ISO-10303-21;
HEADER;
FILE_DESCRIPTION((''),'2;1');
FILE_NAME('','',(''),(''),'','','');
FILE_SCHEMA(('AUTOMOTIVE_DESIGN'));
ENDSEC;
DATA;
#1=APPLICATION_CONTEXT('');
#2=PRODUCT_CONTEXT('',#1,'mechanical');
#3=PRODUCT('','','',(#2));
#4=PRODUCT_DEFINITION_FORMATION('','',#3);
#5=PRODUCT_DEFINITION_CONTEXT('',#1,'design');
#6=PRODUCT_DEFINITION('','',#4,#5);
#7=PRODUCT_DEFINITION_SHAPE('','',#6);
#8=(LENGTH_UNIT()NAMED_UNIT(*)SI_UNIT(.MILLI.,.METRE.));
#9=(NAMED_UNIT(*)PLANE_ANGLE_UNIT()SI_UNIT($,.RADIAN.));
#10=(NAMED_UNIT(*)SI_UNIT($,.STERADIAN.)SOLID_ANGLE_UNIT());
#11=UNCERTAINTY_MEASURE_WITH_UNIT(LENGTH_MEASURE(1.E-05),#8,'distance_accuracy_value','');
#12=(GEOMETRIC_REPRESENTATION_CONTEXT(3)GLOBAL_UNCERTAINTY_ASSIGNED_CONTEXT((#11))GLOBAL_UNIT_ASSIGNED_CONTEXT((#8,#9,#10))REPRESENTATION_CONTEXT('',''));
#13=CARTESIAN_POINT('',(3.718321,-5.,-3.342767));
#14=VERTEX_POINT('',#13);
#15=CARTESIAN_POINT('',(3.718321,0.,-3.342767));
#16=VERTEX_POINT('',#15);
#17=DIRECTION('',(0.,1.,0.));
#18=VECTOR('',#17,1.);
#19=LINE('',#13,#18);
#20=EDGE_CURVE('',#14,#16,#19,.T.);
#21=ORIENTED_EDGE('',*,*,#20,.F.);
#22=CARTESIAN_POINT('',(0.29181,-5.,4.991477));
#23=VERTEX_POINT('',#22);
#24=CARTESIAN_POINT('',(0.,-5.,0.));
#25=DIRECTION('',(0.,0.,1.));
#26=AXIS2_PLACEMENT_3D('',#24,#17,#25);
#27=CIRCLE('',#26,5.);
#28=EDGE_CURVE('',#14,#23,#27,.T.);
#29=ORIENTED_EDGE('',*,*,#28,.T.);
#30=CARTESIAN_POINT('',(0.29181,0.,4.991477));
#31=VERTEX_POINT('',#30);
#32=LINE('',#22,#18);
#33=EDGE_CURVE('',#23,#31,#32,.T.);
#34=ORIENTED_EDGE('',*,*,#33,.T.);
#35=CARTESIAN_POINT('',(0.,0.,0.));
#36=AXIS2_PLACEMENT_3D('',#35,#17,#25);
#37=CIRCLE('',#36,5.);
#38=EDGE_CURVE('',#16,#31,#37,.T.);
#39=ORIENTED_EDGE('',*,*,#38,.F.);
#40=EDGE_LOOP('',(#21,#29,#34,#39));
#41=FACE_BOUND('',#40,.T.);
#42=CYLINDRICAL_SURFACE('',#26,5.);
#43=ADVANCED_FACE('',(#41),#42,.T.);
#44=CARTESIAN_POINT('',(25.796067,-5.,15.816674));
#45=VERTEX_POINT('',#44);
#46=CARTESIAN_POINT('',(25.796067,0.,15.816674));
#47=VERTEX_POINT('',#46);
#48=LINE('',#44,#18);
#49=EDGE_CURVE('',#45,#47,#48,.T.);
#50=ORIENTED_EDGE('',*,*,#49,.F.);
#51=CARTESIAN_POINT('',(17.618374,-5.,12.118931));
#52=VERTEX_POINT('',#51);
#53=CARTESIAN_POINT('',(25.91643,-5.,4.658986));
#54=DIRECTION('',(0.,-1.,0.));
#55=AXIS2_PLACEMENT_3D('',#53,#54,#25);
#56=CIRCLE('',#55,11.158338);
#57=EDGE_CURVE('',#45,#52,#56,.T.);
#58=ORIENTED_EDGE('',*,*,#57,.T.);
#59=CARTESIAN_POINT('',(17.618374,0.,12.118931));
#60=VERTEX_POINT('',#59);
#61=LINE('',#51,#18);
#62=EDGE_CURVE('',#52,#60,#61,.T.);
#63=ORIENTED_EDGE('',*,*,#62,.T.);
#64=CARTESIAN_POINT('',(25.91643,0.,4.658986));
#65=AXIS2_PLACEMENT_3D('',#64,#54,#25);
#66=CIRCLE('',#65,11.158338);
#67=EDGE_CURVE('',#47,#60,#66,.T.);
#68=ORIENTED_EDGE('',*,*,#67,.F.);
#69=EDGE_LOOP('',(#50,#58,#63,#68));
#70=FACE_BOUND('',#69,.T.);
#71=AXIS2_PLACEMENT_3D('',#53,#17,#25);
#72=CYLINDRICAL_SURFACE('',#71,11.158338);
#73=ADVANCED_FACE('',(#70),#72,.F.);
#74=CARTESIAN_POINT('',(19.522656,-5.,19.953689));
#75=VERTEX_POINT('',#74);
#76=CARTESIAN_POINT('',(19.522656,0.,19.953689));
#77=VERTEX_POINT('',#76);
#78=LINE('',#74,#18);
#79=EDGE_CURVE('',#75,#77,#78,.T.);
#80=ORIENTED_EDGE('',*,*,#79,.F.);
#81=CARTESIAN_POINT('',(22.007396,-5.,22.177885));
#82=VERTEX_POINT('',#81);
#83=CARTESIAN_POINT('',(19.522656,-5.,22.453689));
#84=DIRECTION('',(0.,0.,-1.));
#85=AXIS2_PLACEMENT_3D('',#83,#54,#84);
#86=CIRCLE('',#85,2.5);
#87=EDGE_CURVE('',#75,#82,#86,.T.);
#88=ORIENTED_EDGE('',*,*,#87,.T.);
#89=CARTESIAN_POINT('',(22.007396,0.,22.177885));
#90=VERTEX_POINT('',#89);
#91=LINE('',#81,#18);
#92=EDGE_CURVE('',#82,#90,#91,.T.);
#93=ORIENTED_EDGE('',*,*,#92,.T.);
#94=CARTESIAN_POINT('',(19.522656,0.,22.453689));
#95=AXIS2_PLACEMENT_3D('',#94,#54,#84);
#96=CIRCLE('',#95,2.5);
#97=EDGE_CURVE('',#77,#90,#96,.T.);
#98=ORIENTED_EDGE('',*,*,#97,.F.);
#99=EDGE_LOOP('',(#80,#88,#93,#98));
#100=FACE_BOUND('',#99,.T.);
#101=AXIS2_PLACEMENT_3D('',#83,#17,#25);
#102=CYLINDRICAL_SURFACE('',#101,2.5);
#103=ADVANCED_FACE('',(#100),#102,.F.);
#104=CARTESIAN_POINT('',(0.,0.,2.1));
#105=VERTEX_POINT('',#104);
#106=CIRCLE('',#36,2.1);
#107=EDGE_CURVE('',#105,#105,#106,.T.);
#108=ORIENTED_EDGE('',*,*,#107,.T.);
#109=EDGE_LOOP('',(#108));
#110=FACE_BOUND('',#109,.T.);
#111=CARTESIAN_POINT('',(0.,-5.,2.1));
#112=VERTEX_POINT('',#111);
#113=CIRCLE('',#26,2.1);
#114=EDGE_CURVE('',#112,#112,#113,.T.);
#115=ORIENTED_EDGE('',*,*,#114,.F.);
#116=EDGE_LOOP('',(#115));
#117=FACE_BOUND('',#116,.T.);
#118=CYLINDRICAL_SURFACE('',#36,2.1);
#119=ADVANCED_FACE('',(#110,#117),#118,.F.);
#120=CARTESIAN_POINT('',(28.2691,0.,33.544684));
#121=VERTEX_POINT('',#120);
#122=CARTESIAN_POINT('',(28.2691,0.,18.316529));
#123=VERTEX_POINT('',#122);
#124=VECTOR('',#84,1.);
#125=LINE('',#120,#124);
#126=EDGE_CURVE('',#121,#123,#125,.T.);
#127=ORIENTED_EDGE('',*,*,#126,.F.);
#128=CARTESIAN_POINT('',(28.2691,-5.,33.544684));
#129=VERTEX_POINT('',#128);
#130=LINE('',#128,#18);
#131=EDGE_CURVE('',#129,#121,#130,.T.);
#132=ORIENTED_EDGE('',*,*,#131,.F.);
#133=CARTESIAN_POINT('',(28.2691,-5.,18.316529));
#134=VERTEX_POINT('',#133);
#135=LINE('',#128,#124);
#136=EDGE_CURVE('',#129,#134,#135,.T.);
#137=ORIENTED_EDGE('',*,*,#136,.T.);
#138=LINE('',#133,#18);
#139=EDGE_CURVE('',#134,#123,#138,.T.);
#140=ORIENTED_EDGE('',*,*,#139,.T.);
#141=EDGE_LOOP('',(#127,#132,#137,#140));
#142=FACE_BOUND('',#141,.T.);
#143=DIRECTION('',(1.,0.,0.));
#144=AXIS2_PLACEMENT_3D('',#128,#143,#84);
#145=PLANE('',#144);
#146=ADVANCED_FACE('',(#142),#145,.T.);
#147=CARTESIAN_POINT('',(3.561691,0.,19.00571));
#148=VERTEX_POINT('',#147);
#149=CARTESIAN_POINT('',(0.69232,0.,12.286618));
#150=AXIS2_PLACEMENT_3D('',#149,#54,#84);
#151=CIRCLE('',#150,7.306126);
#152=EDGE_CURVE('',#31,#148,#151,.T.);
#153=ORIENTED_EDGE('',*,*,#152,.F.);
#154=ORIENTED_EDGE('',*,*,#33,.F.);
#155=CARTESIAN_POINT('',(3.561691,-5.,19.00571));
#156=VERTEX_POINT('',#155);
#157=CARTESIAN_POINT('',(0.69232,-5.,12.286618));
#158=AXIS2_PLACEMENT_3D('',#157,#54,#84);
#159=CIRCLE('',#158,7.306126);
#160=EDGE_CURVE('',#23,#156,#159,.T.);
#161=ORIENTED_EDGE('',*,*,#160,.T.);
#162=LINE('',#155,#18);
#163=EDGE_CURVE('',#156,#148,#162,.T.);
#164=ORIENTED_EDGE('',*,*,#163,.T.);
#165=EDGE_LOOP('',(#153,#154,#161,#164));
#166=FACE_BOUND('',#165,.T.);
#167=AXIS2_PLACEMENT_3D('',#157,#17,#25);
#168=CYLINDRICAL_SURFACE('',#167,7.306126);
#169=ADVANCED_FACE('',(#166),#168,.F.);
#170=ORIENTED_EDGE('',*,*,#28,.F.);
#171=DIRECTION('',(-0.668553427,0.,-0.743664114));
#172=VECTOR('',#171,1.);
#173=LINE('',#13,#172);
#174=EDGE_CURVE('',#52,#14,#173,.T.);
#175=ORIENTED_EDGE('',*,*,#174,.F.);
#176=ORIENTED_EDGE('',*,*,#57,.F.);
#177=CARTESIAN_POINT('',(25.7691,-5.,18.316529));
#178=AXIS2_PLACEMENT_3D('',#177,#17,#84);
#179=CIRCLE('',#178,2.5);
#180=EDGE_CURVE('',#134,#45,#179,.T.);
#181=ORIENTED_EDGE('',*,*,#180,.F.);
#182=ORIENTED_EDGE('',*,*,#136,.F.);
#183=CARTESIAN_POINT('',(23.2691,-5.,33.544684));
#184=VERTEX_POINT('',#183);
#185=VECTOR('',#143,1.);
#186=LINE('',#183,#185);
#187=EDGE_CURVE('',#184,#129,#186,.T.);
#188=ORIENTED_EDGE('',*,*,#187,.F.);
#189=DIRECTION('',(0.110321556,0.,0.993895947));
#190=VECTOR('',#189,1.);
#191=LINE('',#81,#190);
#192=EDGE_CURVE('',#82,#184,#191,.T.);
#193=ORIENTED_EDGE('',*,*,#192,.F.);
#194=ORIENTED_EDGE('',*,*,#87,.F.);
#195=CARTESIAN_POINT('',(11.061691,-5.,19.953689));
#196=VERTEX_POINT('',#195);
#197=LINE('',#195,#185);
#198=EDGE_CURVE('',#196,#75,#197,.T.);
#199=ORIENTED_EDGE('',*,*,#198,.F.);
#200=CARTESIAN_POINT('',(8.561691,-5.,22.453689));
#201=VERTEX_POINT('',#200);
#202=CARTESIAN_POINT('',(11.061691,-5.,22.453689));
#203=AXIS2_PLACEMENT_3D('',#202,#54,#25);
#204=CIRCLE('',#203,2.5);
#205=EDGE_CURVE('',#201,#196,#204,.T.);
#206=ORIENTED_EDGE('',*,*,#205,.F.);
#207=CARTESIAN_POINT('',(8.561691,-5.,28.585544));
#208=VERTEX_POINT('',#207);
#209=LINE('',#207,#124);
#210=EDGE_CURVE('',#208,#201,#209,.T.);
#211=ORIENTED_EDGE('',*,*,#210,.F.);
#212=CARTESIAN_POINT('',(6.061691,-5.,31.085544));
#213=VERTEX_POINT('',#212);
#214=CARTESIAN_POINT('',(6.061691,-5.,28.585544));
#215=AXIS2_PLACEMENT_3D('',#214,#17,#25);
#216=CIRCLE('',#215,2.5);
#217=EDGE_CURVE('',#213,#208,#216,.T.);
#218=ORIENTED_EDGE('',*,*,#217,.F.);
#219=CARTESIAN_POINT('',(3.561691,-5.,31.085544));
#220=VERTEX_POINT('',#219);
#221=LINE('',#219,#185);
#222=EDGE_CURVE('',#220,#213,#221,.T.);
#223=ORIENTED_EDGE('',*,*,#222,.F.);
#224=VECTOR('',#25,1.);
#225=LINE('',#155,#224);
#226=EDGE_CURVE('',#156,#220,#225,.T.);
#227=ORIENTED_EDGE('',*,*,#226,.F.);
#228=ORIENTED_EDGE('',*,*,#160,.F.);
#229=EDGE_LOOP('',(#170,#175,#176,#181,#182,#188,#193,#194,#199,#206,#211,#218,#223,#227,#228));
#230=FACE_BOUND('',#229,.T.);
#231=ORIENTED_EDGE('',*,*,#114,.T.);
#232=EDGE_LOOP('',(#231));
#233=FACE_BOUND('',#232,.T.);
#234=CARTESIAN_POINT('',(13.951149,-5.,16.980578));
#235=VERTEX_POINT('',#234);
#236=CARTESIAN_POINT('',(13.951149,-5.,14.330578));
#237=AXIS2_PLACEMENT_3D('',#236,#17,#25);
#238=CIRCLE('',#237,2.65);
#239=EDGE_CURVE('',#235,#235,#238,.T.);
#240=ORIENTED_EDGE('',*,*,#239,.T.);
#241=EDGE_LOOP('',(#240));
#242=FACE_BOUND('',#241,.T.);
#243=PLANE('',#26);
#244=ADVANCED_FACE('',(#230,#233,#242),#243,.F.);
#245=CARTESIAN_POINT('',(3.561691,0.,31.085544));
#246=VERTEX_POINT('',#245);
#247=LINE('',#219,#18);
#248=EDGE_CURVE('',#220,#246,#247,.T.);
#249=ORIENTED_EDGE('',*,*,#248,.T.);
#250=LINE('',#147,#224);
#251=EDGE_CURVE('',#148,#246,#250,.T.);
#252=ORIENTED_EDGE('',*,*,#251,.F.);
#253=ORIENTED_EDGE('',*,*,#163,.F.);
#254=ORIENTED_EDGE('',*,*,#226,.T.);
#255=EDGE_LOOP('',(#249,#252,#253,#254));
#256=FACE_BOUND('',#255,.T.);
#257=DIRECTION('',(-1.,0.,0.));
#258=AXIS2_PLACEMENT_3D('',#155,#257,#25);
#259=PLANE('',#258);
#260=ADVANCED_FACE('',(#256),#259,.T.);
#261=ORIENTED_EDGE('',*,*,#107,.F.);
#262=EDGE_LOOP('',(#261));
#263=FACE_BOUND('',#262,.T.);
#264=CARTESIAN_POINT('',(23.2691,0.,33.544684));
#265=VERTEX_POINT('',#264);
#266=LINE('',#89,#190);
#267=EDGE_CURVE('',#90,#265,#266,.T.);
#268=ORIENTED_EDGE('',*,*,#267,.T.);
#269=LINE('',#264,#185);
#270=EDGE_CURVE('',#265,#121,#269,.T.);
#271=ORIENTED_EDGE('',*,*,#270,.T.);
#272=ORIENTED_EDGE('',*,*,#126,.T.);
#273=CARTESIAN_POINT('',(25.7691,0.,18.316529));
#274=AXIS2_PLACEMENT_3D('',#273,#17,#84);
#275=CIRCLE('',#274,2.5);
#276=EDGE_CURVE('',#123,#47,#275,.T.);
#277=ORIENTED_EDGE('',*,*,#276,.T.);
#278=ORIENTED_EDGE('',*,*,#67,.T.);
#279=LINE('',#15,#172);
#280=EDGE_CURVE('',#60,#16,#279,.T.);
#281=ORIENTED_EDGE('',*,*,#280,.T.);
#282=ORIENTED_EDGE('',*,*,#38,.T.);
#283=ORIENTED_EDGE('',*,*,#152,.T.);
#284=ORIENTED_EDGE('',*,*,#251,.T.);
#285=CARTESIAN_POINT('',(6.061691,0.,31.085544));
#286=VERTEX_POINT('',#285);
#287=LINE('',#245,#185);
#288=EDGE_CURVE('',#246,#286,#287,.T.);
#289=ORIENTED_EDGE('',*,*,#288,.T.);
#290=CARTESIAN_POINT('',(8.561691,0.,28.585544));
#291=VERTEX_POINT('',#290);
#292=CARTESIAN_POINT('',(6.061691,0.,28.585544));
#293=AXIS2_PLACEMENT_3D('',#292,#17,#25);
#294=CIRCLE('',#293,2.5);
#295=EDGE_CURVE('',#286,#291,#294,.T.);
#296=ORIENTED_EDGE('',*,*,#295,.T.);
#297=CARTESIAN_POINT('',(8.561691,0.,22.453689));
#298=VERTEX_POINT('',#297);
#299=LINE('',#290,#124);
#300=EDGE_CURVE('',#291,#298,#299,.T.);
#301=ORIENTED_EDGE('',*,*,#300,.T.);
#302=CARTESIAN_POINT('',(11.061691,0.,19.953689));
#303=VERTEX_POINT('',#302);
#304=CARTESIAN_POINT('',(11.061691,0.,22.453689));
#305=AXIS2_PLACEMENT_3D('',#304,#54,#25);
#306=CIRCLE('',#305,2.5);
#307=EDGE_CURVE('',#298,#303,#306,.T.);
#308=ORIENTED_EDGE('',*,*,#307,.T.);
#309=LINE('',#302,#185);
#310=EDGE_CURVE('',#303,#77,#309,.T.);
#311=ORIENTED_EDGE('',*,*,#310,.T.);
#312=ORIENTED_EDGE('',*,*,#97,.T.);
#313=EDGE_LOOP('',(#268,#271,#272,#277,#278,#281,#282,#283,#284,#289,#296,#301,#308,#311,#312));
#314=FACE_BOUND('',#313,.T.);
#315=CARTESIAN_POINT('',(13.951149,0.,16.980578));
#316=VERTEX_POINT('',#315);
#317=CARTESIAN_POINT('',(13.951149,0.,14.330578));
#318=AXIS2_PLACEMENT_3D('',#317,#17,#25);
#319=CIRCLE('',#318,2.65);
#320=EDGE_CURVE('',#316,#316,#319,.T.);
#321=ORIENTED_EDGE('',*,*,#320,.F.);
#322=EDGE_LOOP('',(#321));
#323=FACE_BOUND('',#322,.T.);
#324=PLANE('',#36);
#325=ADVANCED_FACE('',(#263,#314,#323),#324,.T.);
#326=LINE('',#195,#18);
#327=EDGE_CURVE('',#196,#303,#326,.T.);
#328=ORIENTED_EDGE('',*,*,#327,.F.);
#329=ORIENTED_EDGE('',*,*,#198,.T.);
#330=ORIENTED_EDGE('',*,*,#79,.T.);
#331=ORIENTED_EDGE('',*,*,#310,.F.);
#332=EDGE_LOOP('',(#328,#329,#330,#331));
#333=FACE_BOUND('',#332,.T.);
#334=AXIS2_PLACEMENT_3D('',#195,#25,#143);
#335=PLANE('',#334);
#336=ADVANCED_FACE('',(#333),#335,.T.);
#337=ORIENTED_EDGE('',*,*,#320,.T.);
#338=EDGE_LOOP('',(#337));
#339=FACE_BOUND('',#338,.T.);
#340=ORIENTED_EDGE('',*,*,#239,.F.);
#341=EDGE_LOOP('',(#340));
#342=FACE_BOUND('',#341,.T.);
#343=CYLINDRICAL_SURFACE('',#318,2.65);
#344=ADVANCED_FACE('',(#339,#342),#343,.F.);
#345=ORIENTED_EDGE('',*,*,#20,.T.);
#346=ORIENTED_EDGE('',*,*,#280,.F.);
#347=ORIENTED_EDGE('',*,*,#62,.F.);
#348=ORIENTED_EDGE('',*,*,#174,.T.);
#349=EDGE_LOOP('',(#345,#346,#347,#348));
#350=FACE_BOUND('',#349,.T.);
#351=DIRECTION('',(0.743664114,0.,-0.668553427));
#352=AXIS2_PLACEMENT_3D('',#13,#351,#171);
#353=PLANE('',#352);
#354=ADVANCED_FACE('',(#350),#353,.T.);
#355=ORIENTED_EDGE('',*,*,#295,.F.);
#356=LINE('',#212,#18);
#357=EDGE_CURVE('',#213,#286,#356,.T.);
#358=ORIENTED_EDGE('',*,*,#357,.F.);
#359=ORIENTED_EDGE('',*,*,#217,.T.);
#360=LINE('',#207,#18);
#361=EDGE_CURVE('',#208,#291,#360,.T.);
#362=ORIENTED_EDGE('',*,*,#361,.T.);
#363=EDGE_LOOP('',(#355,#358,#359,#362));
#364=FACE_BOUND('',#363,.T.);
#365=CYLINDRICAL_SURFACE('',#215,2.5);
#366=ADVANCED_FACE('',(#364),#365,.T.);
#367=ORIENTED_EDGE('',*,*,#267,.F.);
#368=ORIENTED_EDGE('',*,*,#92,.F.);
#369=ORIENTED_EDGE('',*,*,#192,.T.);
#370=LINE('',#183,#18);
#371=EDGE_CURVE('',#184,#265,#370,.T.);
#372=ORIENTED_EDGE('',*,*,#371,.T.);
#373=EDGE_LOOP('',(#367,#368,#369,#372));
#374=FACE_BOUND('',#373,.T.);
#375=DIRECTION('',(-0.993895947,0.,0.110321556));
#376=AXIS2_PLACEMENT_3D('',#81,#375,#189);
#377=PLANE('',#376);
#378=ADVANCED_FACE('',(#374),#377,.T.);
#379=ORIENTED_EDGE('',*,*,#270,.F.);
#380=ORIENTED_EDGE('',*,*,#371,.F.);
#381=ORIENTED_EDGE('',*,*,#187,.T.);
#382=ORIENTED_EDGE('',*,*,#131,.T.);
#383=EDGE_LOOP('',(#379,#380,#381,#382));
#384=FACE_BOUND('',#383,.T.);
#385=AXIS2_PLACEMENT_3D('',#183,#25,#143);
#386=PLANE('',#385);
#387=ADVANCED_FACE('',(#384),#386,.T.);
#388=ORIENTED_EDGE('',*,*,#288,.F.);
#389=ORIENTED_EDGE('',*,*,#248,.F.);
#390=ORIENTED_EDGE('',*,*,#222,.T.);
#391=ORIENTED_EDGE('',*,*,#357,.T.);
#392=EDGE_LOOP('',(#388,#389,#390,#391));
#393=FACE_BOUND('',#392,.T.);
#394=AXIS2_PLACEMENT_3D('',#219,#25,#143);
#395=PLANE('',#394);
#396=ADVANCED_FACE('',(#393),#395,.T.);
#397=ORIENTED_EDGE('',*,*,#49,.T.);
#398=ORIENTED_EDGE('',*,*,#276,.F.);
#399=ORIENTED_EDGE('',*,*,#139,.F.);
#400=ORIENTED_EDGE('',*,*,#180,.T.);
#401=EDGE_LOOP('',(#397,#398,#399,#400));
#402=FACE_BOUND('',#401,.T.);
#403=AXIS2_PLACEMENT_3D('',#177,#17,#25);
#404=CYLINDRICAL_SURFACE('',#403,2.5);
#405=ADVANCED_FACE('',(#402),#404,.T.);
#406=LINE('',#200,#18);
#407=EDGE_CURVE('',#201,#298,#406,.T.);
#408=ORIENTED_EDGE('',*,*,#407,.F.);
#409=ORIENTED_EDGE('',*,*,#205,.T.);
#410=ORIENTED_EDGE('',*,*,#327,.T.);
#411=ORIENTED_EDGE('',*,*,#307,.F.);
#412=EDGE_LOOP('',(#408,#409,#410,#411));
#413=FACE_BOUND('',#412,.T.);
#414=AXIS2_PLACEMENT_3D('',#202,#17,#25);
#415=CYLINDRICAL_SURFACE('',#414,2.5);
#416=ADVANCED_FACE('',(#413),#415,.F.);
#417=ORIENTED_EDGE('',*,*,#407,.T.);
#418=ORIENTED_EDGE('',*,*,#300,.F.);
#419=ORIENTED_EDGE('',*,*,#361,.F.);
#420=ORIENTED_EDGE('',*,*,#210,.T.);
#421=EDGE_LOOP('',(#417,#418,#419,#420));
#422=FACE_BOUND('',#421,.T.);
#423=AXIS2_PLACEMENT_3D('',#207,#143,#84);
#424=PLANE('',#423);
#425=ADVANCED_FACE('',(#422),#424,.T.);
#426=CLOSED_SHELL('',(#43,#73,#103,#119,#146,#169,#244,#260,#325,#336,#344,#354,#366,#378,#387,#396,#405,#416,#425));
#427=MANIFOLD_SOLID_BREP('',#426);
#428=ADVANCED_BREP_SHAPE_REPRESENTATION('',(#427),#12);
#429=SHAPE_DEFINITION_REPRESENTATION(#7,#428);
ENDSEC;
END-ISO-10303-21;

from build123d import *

# Parameters (mm, degrees)
BOSS_EXTRUDE1_DEPTH  = 5
M5_CLEARANCE_HOLE1_D = 5.3
M5_TAPPED_HOLE1_D    = 4.2


with BuildPart() as part:
    # Sketch3 → Boss-Extrude1 (new body)
    with BuildSketch(Plane(origin=(0, 0, 0), x_dir=(-1, 0, 0), z_dir=(0, 1, 0))):
        with BuildLine():
            Line((-3.718320572, -3.342767136), (-17.618374366, 12.118930874))
            ThreePointArc((-17.618374366, 12.118930874), (-21.319064477, 14.826224184), (-25.796067121, 15.816674432))
            ThreePointArc((-25.796067121, 15.816674432), (-27.546375819, 16.558322133), (-28.269100189, 18.316528984))
            Line((-28.269100189, 18.316528984), (-28.269100189, 33.544684312))
            Line((-28.269100189, 33.544684312), (-23.269100189, 33.544684312))
            Line((-23.269100189, 33.544684312), (-22.007395686, 22.177884957))
            ThreePointArc((-22.007395686, 22.177884957), (-21.190062528, 20.590961046), (-19.522655818, 19.953688847))
            Line((-19.522655818, 19.953688847), (-11.061691266, 19.953688847))
            ThreePointArc((-11.061691266, 19.953688847), (-9.293924313, 20.685921894), (-8.561691266, 22.453688847))
            Line((-8.561691266, 22.453688847), (-8.561691266, 28.585543669))
            ThreePointArc((-8.561691266, 28.585543669), (-7.829458219, 30.353310622), (-6.061691266, 31.085543669))
            Line((-6.061691266, 31.085543669), (-3.561691266, 31.085543669))
            Line((-3.561691266, 31.085543669), (-3.561691266, 19.005709588))
            ThreePointArc((-3.561691266, 19.005709588), (-7.807339249, 10.626500654), (-0.291809826, 4.991477439))
            ThreePointArc((-0.291809826, 4.991477439), (4.624412894, -1.901264156), (-3.718320572, -3.342767136))
        make_face()
    extrude(amount=-BOSS_EXTRUDE1_DEPTH)

    # M5 Clearance Hole1 (through all)
    with Locations(Plane(origin=(0, 0, 0), x_dir=(-1, 0, 0), z_dir=(0, 1, 0))):
        with Locations((-13.951148511, 14.33057763)):
            Hole(M5_CLEARANCE_HOLE1_D / 2)

    # M5 Tapped Hole1 (through all)
    with Locations(Plane(origin=(0, 0, 0), x_dir=(-1, 0, 0), z_dir=(0, 1, 0))):
        with Locations((0, 0)):
            Hole(M5_TAPPED_HOLE1_D / 2)


solid = part.part
